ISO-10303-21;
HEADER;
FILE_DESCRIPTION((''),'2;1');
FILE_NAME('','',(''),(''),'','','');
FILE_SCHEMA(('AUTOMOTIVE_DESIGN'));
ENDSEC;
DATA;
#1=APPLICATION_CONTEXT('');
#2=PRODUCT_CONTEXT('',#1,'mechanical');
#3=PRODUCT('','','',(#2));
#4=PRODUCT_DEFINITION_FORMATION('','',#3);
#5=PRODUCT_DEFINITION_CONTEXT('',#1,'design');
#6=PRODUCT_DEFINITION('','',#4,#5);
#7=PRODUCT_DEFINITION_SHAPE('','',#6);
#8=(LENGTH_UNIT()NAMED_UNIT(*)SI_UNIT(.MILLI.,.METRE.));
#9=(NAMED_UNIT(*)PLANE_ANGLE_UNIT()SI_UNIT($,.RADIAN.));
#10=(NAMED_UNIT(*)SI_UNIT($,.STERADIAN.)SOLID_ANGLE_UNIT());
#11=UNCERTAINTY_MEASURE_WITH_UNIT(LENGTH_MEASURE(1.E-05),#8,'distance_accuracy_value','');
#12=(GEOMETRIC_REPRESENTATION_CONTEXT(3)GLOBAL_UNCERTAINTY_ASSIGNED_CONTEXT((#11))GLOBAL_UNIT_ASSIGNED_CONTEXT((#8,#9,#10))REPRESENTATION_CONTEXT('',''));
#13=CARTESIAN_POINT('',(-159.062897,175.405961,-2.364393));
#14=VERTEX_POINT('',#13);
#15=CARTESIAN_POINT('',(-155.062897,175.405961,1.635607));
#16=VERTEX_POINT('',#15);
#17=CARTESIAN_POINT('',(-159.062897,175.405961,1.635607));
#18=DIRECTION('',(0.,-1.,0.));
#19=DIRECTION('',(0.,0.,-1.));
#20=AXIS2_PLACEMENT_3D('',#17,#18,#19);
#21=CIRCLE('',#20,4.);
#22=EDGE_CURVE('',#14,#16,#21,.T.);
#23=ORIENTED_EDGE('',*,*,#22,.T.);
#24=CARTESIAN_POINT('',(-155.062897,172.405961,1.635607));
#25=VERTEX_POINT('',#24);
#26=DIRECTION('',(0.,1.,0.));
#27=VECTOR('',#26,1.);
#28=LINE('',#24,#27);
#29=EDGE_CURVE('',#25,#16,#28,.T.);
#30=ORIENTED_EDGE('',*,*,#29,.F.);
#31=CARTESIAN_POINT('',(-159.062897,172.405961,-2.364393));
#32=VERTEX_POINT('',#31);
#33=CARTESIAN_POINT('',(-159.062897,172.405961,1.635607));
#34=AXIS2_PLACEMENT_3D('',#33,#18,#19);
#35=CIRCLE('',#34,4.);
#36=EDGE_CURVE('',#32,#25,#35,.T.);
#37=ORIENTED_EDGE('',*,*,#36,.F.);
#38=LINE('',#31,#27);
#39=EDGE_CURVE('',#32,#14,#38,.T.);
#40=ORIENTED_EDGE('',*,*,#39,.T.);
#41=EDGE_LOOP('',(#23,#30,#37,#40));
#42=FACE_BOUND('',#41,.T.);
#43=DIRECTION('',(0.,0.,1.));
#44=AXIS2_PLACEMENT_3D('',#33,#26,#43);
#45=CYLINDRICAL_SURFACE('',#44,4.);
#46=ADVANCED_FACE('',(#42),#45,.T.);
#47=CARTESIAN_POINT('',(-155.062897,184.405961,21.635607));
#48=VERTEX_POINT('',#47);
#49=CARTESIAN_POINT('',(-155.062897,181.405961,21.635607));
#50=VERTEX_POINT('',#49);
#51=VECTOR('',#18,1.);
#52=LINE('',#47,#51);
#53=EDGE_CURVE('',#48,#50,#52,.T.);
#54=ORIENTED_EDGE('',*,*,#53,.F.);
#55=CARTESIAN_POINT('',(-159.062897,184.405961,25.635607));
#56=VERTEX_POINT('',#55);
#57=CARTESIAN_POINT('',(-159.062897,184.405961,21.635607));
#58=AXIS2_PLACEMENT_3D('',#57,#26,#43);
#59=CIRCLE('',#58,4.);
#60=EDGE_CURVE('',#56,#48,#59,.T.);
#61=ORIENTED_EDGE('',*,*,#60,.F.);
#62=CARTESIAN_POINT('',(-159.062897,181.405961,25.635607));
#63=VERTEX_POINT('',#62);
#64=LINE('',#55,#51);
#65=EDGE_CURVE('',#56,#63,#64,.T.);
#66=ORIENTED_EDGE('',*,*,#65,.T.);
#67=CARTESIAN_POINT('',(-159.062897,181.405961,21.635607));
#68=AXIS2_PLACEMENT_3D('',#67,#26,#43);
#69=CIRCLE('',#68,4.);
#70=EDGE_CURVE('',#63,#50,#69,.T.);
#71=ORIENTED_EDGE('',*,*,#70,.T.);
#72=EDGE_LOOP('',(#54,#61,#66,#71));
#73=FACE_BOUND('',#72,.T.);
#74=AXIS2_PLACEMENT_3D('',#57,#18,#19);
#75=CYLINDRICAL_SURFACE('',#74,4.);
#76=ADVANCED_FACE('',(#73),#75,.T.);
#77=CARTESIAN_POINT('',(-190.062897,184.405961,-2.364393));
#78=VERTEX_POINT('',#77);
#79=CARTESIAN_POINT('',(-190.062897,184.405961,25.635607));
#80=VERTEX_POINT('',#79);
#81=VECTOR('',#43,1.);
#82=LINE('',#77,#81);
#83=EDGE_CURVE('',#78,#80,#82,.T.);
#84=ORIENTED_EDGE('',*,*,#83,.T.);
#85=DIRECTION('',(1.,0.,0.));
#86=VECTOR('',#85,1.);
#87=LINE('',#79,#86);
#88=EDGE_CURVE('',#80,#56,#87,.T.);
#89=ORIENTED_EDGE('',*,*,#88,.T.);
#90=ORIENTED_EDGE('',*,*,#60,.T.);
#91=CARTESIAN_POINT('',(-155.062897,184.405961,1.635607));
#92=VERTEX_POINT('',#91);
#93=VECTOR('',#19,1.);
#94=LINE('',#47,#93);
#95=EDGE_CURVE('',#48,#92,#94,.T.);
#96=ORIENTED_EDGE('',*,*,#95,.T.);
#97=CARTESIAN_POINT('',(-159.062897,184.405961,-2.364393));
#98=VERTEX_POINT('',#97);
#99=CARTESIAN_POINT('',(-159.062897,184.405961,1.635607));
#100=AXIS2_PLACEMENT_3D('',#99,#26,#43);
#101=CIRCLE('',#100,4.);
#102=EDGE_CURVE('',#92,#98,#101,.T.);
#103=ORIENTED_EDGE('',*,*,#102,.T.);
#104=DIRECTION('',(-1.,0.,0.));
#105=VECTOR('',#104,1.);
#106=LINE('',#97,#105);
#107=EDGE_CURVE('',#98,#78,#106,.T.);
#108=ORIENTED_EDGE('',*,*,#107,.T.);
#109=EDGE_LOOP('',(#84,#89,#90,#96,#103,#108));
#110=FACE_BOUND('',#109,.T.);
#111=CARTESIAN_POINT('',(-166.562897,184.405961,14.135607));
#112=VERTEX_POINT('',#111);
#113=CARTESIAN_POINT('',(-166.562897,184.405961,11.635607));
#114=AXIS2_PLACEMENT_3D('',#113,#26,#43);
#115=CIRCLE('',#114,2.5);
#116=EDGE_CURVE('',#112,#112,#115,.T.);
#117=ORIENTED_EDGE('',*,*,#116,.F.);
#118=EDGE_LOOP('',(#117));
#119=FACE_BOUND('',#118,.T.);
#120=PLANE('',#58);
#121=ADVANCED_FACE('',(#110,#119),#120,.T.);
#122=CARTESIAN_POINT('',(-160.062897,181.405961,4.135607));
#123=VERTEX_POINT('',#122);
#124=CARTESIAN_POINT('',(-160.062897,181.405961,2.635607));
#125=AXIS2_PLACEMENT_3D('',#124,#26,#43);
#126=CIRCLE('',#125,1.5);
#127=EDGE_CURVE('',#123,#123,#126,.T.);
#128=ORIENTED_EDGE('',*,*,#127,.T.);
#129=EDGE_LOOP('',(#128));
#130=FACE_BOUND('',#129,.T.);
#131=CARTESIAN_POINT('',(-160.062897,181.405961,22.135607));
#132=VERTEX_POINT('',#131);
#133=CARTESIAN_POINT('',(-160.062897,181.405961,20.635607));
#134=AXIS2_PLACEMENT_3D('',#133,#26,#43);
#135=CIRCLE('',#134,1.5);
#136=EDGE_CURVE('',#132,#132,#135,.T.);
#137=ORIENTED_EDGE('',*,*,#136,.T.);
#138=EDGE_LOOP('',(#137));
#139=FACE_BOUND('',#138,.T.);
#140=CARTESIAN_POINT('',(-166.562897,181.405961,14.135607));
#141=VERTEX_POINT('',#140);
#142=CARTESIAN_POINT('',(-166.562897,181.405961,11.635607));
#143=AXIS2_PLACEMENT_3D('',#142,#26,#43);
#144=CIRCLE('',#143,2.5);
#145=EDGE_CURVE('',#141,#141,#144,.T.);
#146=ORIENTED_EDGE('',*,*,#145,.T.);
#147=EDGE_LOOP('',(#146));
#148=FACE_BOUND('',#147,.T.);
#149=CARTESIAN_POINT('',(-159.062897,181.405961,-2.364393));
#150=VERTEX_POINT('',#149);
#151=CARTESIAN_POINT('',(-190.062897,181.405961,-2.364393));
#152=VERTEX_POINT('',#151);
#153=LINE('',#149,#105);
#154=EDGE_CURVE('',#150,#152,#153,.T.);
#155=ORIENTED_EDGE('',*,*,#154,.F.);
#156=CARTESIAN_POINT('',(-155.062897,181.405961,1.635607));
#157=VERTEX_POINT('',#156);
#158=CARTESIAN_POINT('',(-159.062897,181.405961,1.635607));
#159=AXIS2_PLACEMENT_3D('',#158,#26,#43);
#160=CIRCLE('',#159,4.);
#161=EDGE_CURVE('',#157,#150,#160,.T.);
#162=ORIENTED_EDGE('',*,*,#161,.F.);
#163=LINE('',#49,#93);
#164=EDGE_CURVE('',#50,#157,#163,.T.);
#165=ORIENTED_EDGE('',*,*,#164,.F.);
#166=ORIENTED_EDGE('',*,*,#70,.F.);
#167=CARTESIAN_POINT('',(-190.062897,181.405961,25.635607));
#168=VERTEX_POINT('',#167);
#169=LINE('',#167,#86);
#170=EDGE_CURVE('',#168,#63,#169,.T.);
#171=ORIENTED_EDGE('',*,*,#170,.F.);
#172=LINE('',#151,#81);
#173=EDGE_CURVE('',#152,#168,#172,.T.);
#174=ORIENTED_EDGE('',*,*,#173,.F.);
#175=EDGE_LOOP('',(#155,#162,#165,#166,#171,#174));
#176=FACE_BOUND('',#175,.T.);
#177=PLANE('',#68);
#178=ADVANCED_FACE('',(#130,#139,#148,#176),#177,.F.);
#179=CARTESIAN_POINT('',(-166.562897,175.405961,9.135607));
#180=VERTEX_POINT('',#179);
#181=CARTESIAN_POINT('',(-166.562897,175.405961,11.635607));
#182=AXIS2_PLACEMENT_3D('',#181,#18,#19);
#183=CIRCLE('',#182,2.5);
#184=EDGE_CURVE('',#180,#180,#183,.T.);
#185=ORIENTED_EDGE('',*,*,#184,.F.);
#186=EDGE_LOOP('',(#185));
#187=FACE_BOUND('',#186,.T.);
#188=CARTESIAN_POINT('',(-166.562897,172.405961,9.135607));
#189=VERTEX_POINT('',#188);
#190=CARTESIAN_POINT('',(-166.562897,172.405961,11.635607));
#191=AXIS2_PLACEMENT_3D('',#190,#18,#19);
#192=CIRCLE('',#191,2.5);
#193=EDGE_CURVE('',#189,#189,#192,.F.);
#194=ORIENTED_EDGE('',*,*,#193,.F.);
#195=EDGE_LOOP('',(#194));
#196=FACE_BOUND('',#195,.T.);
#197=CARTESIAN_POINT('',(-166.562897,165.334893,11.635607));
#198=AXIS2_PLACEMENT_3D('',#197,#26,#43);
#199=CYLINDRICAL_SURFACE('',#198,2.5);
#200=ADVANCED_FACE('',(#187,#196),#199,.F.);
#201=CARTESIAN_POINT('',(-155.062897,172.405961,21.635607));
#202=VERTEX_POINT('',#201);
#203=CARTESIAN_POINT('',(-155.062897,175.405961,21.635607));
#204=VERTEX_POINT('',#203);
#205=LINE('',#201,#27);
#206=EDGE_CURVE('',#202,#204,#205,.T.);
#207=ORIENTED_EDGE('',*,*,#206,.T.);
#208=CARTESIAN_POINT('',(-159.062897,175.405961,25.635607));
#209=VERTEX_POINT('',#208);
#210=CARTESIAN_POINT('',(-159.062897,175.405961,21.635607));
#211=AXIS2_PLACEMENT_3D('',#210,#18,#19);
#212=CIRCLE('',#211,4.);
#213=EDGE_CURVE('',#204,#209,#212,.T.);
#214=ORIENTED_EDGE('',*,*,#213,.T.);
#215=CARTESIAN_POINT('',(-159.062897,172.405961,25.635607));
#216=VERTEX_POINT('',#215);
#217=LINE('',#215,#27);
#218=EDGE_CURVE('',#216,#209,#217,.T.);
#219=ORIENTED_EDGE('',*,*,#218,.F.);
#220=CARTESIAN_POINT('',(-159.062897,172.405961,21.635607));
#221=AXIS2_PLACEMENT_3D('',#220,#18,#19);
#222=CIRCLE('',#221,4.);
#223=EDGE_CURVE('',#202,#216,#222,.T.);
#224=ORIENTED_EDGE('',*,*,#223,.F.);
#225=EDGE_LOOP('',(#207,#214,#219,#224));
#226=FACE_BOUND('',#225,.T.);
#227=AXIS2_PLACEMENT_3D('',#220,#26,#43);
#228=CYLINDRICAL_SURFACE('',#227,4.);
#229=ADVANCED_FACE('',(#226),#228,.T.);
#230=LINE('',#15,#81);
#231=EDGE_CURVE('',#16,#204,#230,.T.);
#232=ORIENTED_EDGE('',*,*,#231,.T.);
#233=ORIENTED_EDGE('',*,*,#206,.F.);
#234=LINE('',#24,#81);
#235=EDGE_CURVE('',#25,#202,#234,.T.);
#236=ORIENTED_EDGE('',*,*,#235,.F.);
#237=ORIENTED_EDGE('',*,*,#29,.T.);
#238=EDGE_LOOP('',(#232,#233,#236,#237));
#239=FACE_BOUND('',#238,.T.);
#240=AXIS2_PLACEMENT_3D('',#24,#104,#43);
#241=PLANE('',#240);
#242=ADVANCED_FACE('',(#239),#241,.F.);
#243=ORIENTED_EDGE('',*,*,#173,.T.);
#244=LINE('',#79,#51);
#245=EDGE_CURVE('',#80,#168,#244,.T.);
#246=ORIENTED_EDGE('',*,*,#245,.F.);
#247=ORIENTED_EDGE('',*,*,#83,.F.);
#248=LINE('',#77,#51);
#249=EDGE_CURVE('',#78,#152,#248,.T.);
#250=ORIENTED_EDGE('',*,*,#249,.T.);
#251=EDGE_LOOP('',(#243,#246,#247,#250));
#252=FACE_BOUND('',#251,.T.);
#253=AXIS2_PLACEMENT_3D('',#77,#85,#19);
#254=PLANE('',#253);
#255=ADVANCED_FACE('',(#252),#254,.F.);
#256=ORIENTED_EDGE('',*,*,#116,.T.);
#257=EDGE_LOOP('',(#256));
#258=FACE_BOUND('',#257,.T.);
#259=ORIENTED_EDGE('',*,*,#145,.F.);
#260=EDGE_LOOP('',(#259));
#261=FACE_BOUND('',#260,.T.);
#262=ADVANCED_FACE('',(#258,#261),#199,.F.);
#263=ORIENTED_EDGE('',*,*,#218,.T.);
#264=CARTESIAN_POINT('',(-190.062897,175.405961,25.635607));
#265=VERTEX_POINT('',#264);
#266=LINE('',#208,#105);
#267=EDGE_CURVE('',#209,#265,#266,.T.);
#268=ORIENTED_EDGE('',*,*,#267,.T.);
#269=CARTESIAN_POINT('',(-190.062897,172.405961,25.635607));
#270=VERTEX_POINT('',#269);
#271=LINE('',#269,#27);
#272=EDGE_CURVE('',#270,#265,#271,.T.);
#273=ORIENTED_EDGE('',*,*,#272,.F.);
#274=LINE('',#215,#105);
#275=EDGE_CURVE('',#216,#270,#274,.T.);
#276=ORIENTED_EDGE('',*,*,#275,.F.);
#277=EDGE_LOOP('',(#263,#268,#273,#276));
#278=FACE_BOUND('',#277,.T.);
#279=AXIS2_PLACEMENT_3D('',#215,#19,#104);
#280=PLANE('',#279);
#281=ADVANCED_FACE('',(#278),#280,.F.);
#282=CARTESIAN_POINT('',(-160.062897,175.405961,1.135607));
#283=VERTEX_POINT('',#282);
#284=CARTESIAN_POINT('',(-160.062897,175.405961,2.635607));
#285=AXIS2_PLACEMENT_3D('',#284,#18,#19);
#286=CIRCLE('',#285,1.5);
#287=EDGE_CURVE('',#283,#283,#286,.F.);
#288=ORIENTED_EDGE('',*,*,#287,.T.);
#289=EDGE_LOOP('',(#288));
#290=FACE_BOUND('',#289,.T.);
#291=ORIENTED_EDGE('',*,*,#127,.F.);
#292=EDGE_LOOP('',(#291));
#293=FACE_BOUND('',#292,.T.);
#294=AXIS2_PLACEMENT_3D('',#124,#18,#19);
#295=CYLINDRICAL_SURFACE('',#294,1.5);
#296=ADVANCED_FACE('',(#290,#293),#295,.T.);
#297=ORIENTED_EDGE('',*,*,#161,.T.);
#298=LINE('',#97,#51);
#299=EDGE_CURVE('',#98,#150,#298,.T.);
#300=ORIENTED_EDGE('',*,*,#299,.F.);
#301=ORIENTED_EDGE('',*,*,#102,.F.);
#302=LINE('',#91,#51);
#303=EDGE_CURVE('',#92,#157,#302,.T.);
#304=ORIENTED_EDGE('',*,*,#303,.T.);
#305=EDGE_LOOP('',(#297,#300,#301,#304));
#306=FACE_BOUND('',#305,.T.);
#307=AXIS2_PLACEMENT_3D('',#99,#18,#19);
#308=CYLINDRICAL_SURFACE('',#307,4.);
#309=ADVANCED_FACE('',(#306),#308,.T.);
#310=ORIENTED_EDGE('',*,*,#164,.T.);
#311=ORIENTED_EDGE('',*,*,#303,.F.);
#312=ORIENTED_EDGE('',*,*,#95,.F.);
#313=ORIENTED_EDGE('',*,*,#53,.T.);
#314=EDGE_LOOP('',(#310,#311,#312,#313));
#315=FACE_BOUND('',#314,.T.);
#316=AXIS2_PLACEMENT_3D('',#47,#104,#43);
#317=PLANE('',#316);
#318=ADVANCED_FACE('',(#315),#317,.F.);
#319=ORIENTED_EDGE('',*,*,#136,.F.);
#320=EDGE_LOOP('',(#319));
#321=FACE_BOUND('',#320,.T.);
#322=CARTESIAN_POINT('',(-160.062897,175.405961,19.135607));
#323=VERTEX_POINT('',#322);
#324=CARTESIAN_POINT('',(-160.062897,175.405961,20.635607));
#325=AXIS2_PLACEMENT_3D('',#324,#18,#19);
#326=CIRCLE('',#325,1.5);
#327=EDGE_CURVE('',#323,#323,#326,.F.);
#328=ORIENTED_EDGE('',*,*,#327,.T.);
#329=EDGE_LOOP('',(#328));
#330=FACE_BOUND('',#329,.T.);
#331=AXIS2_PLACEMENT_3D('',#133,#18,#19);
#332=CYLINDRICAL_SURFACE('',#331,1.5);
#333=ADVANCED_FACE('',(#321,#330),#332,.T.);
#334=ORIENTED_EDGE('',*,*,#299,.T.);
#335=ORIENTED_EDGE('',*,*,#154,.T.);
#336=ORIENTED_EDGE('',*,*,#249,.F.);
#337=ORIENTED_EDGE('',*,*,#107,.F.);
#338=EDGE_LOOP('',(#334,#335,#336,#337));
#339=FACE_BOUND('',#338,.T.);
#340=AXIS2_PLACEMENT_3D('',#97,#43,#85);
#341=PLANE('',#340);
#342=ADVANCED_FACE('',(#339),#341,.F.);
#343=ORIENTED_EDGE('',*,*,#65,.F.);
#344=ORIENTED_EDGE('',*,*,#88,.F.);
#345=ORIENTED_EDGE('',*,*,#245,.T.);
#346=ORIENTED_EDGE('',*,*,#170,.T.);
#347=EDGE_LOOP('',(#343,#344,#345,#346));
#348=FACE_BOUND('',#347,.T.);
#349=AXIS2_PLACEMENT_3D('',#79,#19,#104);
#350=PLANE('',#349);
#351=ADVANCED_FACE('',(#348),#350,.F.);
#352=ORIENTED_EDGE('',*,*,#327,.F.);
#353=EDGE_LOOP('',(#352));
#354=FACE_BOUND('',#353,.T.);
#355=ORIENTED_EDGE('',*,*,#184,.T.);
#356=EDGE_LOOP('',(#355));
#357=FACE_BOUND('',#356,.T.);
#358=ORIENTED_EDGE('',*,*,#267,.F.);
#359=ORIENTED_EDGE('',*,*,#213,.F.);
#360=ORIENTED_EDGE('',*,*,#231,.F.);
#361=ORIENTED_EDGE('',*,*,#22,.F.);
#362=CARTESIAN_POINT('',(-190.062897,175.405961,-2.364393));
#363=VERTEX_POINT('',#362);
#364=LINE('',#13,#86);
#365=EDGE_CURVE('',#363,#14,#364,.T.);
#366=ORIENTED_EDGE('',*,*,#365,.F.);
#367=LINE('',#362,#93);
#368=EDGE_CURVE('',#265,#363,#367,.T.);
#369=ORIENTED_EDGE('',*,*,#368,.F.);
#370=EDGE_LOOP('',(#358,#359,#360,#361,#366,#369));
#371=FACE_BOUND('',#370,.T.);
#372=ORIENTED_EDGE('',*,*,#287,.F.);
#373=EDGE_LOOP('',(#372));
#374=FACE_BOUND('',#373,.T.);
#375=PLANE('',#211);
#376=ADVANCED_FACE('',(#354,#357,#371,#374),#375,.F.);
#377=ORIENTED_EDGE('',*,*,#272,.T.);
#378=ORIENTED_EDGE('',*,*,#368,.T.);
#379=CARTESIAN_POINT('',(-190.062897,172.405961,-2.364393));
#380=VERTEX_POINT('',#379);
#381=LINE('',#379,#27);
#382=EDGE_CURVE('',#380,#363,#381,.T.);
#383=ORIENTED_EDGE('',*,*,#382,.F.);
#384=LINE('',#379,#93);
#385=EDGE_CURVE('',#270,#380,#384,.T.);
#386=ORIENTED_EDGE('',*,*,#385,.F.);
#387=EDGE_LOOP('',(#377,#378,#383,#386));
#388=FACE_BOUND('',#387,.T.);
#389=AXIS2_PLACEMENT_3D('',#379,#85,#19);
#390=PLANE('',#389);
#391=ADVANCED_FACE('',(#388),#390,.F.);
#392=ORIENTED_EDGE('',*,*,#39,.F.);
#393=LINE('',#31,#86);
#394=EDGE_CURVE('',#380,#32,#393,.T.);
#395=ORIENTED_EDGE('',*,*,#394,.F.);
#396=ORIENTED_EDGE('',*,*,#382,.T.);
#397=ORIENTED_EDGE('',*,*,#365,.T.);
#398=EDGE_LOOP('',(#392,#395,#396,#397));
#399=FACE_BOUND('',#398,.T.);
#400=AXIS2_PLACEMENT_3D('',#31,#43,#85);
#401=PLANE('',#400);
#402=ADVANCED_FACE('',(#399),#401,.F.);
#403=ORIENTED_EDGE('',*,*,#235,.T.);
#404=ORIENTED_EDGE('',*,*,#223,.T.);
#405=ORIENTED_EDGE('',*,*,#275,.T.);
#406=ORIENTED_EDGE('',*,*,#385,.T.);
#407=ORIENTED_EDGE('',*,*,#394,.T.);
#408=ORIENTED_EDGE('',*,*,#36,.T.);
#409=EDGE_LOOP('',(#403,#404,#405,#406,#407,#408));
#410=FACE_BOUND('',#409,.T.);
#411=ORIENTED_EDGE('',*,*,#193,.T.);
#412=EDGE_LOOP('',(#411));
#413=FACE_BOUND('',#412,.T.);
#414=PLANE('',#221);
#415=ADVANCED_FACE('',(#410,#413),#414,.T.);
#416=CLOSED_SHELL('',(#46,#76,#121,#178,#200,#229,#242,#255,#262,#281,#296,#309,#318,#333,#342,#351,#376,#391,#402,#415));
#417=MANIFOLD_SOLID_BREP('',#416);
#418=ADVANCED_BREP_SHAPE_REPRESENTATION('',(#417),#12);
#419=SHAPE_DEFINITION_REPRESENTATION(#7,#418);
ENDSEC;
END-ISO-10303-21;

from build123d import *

# Parameters (mm, degrees)
SALIENTE_EXTRUIR1_DEPTH = 3
CROQUIS2_R              = 1.5
SALIENTE_EXTRUIR2_DEPTH = 6
SALIENTE_EXTRUIR3_START = 3
SALIENTE_EXTRUIR3_DEPTH = 3
CORTAR_EXTRUIR1_REACH   = 194.159
CROQUIS4_R              = 2.5


with BuildPart() as part:
    # Croquis1 → Saliente-Extruir1 (new body)
    with BuildSketch(Plane(origin=(0, 175.405960568, 0), x_dir=(-1, 0, 0), z_dir=(0, -1, 0))):
        with BuildLine():
            Line((159.062896708, 2.364392951), (190.062896708, 2.364392951))
            Line((190.062896708, 2.364392951), (190.062896708, -25.635607049))
            Line((190.062896708, -25.635607049), (159.062896708, -25.635607049))
            ThreePointArc((159.062896708, -25.635607049), (156.234469583, -24.464034173), (155.062896708, -21.635607049))
            Line((155.062896708, -21.635607049), (155.062896708, -1.635607049))
            ThreePointArc((155.062896708, -1.635607049), (156.234469583, 1.192820076), (159.062896708, 2.364392951))
        make_face()
    extrude(amount=SALIENTE_EXTRUIR1_DEPTH)

    # Croquis2 → Saliente-Extruir2 (add)
    with BuildSketch(Plane(origin=(0, 175.405960568, 0), x_dir=(1, 0, 0), z_dir=(0, 1, 0))):
        with Locations(Location((-160.062896708, -2.635607049, 0), (0, 0, 90))):
            Circle(CROQUIS2_R)
        with Locations(Location((-160.062896708, -20.635607049, 0), (0, 0, 90))):
            Circle(CROQUIS2_R)
    extrude(amount=SALIENTE_EXTRUIR2_DEPTH)

    # Croquis3 → Saliente-Extruir3 (add)
    with BuildSketch(Plane(origin=(0, 181.405960568, 0), x_dir=(1, 0, 0), z_dir=(0, 1, 0)).offset(SALIENTE_EXTRUIR3_START)):
        with BuildLine():
            Line((-190.062896708, 2.364392951), (-190.062896708, -25.635607049))
            Line((-190.062896708, -25.635607049), (-159.062896708, -25.635607049))
            ThreePointArc((-159.062896708, -25.635607049), (-156.234469583, -24.464034173), (-155.062896708, -21.635607049))
            Line((-155.062896708, -21.635607049), (-155.062896708, -1.635607049))
            ThreePointArc((-155.062896708, -1.635607049), (-156.234469583, 1.192820076), (-159.062896708, 2.364392951))
            Line((-159.062896708, 2.364392951), (-190.062896708, 2.364392951))
        make_face()
    extrude(amount=-SALIENTE_EXTRUIR3_DEPTH)

    # Cortar-Extruir1: up to this face of the body (flat: up to its plane)
    cortar_extruir1_end = Plane(part.part.faces().sort_by_distance((-172.680086606, 172.405960568, 11.635607049))[0])
    # Croquis4 → Cortar-Extruir1 (cut, up to the picked face)
    with BuildSketch(Plane(origin=(0, 184.405960568, 0), x_dir=(1, 0, 0), z_dir=(0, 1, 0)), mode=Mode.PRIVATE) as cortar_extruir1_sk1:
        with Locations(Location((-166.562896708, -11.635607049, 0), (0, 0, 270))):
            Circle(CROQUIS4_R)
    cortar_extruir1_tool1 = split(extrude(cortar_extruir1_sk1.sketch, amount=-CORTAR_EXTRUIR1_REACH, mode=Mode.PRIVATE), bisect_by=cortar_extruir1_end, keep=Keep.BOTH, mode=Mode.PRIVATE)
    add(cortar_extruir1_tool1.solids().sort_by(Axis((-166.562897, 184.405961, 11.635607), (0, -1, 0)))[0], mode=Mode.SUBTRACT)


solid = part.part
